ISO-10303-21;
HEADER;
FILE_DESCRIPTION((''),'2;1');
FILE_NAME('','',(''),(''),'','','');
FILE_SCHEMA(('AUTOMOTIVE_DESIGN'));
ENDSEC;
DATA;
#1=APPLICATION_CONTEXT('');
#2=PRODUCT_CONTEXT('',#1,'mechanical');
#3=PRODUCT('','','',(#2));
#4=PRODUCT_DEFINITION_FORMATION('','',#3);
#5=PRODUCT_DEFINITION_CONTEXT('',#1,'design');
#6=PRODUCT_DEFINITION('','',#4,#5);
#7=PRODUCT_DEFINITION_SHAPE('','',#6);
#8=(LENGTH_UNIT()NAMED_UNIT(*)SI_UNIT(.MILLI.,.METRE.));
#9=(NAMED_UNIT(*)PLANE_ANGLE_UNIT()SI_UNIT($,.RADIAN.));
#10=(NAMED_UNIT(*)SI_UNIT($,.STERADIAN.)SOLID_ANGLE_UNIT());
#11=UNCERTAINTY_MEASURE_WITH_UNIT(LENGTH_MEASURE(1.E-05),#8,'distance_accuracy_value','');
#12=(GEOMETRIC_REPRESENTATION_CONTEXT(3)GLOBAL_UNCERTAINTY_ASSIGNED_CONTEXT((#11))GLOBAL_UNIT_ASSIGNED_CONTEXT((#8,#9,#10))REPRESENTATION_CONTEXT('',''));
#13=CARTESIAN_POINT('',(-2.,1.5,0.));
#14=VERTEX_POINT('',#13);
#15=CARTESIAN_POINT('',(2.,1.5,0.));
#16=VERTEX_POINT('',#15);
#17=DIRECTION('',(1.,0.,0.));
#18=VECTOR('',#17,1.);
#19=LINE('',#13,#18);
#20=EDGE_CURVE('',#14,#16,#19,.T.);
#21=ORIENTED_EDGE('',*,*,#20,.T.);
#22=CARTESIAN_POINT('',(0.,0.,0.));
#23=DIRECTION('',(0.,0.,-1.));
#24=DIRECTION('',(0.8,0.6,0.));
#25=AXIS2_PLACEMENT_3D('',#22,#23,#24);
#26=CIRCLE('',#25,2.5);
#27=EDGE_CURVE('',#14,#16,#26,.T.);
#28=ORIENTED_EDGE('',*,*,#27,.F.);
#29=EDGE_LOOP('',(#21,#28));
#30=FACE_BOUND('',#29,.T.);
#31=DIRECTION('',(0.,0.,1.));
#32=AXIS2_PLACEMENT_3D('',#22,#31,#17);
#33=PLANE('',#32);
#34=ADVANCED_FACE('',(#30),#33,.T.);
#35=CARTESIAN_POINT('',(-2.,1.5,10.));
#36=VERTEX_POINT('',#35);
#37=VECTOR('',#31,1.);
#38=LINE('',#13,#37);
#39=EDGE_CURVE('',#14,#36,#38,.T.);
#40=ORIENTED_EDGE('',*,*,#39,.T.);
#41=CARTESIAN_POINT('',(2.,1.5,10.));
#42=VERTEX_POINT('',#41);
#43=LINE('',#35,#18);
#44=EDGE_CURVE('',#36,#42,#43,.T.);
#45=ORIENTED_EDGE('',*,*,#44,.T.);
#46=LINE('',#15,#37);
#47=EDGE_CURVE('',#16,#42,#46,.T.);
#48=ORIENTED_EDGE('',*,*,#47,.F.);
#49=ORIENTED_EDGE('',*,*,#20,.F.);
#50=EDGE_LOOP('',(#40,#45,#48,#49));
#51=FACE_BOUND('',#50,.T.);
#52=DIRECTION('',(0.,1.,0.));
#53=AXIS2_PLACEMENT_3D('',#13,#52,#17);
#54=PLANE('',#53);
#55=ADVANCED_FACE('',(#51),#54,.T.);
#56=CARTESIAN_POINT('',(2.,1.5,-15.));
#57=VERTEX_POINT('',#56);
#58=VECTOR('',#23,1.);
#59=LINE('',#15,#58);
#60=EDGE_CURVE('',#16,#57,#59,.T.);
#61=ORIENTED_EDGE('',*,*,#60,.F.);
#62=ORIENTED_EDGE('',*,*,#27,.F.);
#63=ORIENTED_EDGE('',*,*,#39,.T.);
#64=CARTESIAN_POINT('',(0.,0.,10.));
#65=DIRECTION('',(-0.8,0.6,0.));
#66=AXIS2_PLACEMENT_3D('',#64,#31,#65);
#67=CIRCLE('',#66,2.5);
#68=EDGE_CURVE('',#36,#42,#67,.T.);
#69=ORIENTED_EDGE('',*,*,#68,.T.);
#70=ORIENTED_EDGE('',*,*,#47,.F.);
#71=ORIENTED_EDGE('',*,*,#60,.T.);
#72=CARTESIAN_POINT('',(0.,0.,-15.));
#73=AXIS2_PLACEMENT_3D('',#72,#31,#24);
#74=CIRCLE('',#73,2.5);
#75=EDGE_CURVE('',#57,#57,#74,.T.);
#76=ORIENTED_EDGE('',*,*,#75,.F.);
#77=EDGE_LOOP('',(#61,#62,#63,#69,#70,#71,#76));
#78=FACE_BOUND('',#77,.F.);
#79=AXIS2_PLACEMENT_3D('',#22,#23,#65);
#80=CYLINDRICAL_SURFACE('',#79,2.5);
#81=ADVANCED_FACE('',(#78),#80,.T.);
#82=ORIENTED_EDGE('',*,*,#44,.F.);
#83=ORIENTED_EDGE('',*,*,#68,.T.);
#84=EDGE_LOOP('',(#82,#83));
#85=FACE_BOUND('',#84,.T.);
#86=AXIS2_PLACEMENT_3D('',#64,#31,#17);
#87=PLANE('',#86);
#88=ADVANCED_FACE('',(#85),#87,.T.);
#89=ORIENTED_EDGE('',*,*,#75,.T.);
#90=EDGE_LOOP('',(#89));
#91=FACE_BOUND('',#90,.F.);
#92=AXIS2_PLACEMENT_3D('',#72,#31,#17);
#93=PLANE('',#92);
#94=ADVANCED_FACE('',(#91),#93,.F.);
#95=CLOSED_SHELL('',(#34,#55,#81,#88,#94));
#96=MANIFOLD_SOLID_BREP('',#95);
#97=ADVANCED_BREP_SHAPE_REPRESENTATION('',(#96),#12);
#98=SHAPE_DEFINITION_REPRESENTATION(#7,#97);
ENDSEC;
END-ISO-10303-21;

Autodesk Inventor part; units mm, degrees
ref_plane "YZ Plane" through (0, 0, 0) normal (1, 0, 0) x (0, 1, 0)
ref_plane "XZ Plane" through (0, 0, 0) normal (0, 1, 0) x (-1, 0, 0)
ref_plane "XY Plane" through (0, 0, 0) normal (0, 0, 1) x (1, 0, 0)
sketch "Sketch1" plane through (0, 0, 0) normal (0, 0, 1) x (1, 0, 0)
  arc A0 (-2, 1.5) -> (2, 1.5) centre (0, 0) ccw
  line L0 (-2, 1.5) -> (2, 1.5)
  arc A1 (2, 1.5) -> (-2, 1.5) centre (0, 0) ccw
  dimension "d0" = 5
  dimension "d1" = 4
extrude "Extrusion1" add sketch "Sketch1" along normal blind 10 contours L0 A0
extrude "Extrusion2" add sketch "Sketch1" against normal blind 15
properties part number "shaft"
